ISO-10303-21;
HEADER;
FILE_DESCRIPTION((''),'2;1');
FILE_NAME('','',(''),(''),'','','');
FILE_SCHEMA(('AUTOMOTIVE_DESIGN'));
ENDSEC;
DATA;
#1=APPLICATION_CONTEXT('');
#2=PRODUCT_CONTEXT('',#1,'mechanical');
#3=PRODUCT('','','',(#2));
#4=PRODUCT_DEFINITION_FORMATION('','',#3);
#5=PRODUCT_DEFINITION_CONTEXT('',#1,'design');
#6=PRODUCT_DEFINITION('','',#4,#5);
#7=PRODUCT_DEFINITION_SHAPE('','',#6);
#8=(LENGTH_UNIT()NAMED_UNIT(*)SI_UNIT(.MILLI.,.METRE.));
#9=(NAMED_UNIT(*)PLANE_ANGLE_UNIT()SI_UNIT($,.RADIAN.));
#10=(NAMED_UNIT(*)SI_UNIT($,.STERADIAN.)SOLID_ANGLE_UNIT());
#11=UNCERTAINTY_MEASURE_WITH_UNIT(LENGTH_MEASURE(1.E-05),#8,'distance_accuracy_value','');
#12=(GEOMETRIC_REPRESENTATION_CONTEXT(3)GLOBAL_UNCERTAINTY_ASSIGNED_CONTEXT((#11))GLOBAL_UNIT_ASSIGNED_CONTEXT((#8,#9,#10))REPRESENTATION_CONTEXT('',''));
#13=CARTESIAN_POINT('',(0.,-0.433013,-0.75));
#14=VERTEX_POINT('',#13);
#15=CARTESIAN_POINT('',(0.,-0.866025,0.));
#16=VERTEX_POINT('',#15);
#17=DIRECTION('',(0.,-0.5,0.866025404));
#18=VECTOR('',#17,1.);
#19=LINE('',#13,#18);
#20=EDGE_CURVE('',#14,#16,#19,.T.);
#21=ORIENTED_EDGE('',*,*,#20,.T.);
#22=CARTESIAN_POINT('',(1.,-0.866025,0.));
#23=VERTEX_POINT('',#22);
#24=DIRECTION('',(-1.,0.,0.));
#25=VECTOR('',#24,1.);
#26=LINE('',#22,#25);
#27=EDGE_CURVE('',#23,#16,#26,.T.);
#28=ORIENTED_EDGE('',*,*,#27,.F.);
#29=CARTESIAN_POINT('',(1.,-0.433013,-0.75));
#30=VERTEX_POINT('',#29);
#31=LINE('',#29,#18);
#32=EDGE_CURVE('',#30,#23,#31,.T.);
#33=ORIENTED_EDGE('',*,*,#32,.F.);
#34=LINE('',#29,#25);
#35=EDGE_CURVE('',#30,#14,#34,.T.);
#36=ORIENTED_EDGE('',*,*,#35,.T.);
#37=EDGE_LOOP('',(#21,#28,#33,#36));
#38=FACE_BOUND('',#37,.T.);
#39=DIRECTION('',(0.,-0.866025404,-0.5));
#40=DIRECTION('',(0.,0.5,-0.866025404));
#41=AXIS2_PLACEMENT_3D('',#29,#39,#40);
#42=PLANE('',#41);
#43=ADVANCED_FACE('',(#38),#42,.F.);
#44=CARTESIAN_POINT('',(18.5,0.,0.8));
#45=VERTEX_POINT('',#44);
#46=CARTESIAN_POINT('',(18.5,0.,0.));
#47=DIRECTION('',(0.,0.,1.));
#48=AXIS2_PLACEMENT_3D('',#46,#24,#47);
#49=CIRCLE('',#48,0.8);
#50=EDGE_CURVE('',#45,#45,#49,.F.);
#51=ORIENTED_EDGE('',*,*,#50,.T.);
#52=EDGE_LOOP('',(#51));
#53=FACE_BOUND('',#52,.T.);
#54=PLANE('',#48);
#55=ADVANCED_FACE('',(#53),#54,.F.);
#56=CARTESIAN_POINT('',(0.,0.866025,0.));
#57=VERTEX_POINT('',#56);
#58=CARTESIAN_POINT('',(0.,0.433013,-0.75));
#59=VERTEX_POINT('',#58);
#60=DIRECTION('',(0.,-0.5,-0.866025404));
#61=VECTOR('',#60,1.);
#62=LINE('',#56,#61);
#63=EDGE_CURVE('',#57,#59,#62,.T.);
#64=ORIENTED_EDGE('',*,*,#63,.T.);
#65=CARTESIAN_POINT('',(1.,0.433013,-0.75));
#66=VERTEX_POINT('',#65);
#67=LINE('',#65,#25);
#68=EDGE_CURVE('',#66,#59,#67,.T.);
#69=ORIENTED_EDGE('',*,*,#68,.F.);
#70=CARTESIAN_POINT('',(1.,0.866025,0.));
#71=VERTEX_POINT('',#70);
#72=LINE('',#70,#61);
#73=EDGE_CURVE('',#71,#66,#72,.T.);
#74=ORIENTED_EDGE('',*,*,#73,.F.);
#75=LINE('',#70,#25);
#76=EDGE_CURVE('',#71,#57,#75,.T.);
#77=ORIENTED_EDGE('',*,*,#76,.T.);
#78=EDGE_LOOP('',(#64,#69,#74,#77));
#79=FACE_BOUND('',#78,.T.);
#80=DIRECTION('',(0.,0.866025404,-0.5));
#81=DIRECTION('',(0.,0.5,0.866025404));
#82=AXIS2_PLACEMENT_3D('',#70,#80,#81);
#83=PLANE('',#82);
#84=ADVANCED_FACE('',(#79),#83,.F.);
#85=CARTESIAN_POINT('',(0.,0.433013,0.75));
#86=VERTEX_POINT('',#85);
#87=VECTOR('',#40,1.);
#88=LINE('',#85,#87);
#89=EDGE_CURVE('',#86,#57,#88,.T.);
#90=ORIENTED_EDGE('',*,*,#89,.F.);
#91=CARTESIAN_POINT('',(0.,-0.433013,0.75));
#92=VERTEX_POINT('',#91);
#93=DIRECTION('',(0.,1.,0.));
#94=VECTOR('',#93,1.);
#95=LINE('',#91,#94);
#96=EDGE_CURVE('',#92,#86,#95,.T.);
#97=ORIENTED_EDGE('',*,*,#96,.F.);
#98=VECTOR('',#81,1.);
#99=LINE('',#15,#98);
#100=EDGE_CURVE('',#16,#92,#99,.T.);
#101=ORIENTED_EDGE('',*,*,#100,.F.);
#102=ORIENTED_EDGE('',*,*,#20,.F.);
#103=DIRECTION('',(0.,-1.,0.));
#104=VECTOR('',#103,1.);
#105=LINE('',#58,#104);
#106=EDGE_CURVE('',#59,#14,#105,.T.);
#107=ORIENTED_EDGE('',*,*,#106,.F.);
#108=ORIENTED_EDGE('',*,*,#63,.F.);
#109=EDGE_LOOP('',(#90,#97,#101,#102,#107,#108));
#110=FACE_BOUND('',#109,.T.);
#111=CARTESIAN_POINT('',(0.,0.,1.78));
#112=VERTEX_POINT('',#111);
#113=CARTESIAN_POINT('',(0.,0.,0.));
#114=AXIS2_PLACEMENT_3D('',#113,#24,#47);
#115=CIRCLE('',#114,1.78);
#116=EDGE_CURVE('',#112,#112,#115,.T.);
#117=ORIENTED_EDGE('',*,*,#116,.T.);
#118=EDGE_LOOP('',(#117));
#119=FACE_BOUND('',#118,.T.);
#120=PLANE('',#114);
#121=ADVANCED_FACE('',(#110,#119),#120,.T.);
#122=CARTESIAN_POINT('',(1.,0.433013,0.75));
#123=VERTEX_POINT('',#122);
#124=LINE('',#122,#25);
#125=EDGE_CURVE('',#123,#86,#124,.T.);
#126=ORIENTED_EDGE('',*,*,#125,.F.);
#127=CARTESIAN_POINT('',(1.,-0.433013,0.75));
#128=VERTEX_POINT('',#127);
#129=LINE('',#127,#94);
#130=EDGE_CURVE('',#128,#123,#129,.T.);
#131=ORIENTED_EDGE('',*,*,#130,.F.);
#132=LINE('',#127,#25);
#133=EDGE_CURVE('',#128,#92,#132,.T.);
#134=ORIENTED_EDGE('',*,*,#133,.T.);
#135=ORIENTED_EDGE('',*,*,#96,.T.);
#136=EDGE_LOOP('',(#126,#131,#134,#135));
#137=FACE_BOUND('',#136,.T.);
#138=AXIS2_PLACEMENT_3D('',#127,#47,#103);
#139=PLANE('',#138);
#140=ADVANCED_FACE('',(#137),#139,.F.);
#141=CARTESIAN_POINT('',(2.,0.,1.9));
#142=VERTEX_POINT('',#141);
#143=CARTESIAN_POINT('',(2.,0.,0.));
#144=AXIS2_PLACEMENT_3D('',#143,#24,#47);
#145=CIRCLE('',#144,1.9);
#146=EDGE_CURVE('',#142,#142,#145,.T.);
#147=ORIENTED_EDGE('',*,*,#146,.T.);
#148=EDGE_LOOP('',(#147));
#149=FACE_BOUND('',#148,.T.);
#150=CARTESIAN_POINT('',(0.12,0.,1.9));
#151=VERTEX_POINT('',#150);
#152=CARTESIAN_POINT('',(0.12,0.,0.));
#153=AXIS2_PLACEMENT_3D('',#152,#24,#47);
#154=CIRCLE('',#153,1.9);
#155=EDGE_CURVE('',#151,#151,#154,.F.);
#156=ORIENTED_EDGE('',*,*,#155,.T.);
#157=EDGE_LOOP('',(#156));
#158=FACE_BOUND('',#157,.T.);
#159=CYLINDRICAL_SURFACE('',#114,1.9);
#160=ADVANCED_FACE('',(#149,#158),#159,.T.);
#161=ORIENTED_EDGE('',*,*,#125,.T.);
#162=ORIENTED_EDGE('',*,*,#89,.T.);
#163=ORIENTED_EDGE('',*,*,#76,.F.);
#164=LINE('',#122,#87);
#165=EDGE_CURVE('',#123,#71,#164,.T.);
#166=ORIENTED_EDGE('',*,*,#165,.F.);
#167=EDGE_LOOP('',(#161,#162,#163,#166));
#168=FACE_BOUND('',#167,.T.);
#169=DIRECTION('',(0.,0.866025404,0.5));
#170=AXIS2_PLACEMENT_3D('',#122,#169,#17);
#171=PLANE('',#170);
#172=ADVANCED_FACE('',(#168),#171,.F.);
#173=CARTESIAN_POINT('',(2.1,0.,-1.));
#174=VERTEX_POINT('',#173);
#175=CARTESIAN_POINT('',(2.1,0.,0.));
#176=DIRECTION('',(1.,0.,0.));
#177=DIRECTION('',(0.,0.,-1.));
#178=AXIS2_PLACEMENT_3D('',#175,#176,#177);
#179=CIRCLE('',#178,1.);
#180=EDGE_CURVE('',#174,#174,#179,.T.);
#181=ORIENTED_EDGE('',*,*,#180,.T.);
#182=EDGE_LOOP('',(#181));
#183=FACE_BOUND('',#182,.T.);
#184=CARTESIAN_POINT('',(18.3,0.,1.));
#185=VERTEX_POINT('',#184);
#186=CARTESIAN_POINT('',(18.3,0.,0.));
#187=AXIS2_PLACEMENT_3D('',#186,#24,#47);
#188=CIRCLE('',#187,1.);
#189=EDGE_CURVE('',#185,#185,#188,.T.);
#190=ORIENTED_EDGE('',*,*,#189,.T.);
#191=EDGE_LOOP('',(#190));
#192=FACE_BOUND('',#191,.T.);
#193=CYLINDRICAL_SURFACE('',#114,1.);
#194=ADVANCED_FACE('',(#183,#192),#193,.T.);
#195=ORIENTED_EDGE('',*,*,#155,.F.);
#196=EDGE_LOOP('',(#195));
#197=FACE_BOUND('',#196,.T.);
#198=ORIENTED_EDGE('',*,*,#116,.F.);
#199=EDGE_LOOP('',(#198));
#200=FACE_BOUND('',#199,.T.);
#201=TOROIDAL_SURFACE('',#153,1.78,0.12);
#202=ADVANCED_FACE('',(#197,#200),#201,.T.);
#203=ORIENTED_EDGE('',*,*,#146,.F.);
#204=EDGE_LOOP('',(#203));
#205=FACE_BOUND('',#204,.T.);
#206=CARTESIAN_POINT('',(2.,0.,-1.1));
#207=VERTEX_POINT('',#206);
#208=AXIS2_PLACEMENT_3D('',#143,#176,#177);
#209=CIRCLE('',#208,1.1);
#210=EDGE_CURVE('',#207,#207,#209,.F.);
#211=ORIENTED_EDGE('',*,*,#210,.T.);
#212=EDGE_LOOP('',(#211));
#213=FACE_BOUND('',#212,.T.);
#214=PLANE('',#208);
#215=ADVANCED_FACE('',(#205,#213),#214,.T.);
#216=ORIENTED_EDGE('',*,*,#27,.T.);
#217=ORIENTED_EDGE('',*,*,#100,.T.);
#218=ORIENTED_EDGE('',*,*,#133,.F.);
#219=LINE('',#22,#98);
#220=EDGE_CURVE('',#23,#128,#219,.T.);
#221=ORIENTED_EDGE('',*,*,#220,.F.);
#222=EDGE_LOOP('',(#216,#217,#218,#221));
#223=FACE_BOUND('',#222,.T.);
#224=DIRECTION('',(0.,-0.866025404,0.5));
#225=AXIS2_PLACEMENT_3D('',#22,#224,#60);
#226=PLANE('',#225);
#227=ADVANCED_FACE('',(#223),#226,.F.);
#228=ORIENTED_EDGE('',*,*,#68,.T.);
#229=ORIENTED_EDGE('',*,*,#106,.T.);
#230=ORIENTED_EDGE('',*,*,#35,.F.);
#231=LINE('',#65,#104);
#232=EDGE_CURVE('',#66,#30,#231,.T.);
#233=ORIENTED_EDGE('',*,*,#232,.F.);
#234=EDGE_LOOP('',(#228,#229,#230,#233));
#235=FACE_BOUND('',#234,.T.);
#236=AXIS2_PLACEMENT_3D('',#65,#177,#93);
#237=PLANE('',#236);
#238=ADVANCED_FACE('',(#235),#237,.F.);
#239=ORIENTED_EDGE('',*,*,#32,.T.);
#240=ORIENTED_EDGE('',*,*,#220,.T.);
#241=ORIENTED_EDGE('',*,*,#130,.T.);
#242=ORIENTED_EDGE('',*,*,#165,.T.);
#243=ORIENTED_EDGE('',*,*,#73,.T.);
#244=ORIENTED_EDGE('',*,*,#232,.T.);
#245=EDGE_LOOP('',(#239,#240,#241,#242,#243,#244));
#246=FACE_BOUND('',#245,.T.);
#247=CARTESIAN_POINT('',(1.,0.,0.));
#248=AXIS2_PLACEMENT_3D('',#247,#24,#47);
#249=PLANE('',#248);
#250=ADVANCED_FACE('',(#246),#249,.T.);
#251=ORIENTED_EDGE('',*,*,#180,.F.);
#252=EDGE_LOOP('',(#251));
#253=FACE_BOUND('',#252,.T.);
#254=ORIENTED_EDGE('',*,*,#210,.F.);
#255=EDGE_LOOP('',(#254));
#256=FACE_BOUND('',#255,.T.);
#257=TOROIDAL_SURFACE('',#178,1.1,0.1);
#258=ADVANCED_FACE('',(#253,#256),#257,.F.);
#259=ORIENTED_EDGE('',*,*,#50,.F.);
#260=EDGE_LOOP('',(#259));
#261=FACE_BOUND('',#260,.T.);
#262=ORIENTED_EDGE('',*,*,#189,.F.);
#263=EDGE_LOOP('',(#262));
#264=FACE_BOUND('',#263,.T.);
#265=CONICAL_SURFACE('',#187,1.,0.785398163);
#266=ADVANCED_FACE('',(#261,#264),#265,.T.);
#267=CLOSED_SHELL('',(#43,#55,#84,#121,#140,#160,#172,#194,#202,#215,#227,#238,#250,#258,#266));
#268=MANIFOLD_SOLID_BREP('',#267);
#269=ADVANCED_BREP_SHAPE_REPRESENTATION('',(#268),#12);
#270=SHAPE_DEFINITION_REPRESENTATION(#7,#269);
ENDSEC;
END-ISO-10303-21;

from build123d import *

# Parameters (mm, degrees)
FILLET1_R      = 0.1
FILLET2_R      = 0.12
CHAMFER1_SIZE  = 0.2
EXTRUDE1_DEPTH = 1


with BuildPart() as part:
    # Sketch1 → Revolve1 (revolve)
    with BuildSketch(Plane.XY, mode=Mode.PRIVATE) as revolve1_sk:
        Polygon((2, 1), (2, 0), (4.279914881, 0), (18.5, 0), (18.5, 1), align=None)
        Polygon((0, 1.9), (0, 0), (2, 0), (2, 1), (2, 1.9), align=None)
    revolve(revolve1_sk.sketch.rotate(Axis((0, 0, 0), (1, 0, 0)), 90), axis=Axis((0, 0, 0), (1, 0, 0)))

    # Fillet1
    fillet1_edges = [part.edges().sort_by_distance(p)[0] for p in [
        (2, 0, -1),
    ]]
    fillet(fillet1_edges, radius=FILLET1_R)

    # Fillet2
    fillet2_edges = [part.edges().sort_by_distance(p)[0] for p in [
        (0, 0, -1.9),
    ]]
    fillet(fillet2_edges, radius=FILLET2_R)

    # Chamfer1
    chamfer1_edges = [part.edges().sort_by_distance(p)[0] for p in [
        (18.5, 0, -1),
    ]]
    chamfer(chamfer1_edges, length=CHAMFER1_SIZE)

    # Sketch2 → Extrude1 (cut)
    with BuildSketch(Plane.ZY):
        Polygon((0, 0.866025404), (-0.75, 0.433012702), (-0.75, -0.433012702), (0, -0.866025404), (0.75, -0.433012702), (0.75, 0.433012702), align=None)
    extrude(amount=-EXTRUDE1_DEPTH, mode=Mode.SUBTRACT)


solid = part.part
